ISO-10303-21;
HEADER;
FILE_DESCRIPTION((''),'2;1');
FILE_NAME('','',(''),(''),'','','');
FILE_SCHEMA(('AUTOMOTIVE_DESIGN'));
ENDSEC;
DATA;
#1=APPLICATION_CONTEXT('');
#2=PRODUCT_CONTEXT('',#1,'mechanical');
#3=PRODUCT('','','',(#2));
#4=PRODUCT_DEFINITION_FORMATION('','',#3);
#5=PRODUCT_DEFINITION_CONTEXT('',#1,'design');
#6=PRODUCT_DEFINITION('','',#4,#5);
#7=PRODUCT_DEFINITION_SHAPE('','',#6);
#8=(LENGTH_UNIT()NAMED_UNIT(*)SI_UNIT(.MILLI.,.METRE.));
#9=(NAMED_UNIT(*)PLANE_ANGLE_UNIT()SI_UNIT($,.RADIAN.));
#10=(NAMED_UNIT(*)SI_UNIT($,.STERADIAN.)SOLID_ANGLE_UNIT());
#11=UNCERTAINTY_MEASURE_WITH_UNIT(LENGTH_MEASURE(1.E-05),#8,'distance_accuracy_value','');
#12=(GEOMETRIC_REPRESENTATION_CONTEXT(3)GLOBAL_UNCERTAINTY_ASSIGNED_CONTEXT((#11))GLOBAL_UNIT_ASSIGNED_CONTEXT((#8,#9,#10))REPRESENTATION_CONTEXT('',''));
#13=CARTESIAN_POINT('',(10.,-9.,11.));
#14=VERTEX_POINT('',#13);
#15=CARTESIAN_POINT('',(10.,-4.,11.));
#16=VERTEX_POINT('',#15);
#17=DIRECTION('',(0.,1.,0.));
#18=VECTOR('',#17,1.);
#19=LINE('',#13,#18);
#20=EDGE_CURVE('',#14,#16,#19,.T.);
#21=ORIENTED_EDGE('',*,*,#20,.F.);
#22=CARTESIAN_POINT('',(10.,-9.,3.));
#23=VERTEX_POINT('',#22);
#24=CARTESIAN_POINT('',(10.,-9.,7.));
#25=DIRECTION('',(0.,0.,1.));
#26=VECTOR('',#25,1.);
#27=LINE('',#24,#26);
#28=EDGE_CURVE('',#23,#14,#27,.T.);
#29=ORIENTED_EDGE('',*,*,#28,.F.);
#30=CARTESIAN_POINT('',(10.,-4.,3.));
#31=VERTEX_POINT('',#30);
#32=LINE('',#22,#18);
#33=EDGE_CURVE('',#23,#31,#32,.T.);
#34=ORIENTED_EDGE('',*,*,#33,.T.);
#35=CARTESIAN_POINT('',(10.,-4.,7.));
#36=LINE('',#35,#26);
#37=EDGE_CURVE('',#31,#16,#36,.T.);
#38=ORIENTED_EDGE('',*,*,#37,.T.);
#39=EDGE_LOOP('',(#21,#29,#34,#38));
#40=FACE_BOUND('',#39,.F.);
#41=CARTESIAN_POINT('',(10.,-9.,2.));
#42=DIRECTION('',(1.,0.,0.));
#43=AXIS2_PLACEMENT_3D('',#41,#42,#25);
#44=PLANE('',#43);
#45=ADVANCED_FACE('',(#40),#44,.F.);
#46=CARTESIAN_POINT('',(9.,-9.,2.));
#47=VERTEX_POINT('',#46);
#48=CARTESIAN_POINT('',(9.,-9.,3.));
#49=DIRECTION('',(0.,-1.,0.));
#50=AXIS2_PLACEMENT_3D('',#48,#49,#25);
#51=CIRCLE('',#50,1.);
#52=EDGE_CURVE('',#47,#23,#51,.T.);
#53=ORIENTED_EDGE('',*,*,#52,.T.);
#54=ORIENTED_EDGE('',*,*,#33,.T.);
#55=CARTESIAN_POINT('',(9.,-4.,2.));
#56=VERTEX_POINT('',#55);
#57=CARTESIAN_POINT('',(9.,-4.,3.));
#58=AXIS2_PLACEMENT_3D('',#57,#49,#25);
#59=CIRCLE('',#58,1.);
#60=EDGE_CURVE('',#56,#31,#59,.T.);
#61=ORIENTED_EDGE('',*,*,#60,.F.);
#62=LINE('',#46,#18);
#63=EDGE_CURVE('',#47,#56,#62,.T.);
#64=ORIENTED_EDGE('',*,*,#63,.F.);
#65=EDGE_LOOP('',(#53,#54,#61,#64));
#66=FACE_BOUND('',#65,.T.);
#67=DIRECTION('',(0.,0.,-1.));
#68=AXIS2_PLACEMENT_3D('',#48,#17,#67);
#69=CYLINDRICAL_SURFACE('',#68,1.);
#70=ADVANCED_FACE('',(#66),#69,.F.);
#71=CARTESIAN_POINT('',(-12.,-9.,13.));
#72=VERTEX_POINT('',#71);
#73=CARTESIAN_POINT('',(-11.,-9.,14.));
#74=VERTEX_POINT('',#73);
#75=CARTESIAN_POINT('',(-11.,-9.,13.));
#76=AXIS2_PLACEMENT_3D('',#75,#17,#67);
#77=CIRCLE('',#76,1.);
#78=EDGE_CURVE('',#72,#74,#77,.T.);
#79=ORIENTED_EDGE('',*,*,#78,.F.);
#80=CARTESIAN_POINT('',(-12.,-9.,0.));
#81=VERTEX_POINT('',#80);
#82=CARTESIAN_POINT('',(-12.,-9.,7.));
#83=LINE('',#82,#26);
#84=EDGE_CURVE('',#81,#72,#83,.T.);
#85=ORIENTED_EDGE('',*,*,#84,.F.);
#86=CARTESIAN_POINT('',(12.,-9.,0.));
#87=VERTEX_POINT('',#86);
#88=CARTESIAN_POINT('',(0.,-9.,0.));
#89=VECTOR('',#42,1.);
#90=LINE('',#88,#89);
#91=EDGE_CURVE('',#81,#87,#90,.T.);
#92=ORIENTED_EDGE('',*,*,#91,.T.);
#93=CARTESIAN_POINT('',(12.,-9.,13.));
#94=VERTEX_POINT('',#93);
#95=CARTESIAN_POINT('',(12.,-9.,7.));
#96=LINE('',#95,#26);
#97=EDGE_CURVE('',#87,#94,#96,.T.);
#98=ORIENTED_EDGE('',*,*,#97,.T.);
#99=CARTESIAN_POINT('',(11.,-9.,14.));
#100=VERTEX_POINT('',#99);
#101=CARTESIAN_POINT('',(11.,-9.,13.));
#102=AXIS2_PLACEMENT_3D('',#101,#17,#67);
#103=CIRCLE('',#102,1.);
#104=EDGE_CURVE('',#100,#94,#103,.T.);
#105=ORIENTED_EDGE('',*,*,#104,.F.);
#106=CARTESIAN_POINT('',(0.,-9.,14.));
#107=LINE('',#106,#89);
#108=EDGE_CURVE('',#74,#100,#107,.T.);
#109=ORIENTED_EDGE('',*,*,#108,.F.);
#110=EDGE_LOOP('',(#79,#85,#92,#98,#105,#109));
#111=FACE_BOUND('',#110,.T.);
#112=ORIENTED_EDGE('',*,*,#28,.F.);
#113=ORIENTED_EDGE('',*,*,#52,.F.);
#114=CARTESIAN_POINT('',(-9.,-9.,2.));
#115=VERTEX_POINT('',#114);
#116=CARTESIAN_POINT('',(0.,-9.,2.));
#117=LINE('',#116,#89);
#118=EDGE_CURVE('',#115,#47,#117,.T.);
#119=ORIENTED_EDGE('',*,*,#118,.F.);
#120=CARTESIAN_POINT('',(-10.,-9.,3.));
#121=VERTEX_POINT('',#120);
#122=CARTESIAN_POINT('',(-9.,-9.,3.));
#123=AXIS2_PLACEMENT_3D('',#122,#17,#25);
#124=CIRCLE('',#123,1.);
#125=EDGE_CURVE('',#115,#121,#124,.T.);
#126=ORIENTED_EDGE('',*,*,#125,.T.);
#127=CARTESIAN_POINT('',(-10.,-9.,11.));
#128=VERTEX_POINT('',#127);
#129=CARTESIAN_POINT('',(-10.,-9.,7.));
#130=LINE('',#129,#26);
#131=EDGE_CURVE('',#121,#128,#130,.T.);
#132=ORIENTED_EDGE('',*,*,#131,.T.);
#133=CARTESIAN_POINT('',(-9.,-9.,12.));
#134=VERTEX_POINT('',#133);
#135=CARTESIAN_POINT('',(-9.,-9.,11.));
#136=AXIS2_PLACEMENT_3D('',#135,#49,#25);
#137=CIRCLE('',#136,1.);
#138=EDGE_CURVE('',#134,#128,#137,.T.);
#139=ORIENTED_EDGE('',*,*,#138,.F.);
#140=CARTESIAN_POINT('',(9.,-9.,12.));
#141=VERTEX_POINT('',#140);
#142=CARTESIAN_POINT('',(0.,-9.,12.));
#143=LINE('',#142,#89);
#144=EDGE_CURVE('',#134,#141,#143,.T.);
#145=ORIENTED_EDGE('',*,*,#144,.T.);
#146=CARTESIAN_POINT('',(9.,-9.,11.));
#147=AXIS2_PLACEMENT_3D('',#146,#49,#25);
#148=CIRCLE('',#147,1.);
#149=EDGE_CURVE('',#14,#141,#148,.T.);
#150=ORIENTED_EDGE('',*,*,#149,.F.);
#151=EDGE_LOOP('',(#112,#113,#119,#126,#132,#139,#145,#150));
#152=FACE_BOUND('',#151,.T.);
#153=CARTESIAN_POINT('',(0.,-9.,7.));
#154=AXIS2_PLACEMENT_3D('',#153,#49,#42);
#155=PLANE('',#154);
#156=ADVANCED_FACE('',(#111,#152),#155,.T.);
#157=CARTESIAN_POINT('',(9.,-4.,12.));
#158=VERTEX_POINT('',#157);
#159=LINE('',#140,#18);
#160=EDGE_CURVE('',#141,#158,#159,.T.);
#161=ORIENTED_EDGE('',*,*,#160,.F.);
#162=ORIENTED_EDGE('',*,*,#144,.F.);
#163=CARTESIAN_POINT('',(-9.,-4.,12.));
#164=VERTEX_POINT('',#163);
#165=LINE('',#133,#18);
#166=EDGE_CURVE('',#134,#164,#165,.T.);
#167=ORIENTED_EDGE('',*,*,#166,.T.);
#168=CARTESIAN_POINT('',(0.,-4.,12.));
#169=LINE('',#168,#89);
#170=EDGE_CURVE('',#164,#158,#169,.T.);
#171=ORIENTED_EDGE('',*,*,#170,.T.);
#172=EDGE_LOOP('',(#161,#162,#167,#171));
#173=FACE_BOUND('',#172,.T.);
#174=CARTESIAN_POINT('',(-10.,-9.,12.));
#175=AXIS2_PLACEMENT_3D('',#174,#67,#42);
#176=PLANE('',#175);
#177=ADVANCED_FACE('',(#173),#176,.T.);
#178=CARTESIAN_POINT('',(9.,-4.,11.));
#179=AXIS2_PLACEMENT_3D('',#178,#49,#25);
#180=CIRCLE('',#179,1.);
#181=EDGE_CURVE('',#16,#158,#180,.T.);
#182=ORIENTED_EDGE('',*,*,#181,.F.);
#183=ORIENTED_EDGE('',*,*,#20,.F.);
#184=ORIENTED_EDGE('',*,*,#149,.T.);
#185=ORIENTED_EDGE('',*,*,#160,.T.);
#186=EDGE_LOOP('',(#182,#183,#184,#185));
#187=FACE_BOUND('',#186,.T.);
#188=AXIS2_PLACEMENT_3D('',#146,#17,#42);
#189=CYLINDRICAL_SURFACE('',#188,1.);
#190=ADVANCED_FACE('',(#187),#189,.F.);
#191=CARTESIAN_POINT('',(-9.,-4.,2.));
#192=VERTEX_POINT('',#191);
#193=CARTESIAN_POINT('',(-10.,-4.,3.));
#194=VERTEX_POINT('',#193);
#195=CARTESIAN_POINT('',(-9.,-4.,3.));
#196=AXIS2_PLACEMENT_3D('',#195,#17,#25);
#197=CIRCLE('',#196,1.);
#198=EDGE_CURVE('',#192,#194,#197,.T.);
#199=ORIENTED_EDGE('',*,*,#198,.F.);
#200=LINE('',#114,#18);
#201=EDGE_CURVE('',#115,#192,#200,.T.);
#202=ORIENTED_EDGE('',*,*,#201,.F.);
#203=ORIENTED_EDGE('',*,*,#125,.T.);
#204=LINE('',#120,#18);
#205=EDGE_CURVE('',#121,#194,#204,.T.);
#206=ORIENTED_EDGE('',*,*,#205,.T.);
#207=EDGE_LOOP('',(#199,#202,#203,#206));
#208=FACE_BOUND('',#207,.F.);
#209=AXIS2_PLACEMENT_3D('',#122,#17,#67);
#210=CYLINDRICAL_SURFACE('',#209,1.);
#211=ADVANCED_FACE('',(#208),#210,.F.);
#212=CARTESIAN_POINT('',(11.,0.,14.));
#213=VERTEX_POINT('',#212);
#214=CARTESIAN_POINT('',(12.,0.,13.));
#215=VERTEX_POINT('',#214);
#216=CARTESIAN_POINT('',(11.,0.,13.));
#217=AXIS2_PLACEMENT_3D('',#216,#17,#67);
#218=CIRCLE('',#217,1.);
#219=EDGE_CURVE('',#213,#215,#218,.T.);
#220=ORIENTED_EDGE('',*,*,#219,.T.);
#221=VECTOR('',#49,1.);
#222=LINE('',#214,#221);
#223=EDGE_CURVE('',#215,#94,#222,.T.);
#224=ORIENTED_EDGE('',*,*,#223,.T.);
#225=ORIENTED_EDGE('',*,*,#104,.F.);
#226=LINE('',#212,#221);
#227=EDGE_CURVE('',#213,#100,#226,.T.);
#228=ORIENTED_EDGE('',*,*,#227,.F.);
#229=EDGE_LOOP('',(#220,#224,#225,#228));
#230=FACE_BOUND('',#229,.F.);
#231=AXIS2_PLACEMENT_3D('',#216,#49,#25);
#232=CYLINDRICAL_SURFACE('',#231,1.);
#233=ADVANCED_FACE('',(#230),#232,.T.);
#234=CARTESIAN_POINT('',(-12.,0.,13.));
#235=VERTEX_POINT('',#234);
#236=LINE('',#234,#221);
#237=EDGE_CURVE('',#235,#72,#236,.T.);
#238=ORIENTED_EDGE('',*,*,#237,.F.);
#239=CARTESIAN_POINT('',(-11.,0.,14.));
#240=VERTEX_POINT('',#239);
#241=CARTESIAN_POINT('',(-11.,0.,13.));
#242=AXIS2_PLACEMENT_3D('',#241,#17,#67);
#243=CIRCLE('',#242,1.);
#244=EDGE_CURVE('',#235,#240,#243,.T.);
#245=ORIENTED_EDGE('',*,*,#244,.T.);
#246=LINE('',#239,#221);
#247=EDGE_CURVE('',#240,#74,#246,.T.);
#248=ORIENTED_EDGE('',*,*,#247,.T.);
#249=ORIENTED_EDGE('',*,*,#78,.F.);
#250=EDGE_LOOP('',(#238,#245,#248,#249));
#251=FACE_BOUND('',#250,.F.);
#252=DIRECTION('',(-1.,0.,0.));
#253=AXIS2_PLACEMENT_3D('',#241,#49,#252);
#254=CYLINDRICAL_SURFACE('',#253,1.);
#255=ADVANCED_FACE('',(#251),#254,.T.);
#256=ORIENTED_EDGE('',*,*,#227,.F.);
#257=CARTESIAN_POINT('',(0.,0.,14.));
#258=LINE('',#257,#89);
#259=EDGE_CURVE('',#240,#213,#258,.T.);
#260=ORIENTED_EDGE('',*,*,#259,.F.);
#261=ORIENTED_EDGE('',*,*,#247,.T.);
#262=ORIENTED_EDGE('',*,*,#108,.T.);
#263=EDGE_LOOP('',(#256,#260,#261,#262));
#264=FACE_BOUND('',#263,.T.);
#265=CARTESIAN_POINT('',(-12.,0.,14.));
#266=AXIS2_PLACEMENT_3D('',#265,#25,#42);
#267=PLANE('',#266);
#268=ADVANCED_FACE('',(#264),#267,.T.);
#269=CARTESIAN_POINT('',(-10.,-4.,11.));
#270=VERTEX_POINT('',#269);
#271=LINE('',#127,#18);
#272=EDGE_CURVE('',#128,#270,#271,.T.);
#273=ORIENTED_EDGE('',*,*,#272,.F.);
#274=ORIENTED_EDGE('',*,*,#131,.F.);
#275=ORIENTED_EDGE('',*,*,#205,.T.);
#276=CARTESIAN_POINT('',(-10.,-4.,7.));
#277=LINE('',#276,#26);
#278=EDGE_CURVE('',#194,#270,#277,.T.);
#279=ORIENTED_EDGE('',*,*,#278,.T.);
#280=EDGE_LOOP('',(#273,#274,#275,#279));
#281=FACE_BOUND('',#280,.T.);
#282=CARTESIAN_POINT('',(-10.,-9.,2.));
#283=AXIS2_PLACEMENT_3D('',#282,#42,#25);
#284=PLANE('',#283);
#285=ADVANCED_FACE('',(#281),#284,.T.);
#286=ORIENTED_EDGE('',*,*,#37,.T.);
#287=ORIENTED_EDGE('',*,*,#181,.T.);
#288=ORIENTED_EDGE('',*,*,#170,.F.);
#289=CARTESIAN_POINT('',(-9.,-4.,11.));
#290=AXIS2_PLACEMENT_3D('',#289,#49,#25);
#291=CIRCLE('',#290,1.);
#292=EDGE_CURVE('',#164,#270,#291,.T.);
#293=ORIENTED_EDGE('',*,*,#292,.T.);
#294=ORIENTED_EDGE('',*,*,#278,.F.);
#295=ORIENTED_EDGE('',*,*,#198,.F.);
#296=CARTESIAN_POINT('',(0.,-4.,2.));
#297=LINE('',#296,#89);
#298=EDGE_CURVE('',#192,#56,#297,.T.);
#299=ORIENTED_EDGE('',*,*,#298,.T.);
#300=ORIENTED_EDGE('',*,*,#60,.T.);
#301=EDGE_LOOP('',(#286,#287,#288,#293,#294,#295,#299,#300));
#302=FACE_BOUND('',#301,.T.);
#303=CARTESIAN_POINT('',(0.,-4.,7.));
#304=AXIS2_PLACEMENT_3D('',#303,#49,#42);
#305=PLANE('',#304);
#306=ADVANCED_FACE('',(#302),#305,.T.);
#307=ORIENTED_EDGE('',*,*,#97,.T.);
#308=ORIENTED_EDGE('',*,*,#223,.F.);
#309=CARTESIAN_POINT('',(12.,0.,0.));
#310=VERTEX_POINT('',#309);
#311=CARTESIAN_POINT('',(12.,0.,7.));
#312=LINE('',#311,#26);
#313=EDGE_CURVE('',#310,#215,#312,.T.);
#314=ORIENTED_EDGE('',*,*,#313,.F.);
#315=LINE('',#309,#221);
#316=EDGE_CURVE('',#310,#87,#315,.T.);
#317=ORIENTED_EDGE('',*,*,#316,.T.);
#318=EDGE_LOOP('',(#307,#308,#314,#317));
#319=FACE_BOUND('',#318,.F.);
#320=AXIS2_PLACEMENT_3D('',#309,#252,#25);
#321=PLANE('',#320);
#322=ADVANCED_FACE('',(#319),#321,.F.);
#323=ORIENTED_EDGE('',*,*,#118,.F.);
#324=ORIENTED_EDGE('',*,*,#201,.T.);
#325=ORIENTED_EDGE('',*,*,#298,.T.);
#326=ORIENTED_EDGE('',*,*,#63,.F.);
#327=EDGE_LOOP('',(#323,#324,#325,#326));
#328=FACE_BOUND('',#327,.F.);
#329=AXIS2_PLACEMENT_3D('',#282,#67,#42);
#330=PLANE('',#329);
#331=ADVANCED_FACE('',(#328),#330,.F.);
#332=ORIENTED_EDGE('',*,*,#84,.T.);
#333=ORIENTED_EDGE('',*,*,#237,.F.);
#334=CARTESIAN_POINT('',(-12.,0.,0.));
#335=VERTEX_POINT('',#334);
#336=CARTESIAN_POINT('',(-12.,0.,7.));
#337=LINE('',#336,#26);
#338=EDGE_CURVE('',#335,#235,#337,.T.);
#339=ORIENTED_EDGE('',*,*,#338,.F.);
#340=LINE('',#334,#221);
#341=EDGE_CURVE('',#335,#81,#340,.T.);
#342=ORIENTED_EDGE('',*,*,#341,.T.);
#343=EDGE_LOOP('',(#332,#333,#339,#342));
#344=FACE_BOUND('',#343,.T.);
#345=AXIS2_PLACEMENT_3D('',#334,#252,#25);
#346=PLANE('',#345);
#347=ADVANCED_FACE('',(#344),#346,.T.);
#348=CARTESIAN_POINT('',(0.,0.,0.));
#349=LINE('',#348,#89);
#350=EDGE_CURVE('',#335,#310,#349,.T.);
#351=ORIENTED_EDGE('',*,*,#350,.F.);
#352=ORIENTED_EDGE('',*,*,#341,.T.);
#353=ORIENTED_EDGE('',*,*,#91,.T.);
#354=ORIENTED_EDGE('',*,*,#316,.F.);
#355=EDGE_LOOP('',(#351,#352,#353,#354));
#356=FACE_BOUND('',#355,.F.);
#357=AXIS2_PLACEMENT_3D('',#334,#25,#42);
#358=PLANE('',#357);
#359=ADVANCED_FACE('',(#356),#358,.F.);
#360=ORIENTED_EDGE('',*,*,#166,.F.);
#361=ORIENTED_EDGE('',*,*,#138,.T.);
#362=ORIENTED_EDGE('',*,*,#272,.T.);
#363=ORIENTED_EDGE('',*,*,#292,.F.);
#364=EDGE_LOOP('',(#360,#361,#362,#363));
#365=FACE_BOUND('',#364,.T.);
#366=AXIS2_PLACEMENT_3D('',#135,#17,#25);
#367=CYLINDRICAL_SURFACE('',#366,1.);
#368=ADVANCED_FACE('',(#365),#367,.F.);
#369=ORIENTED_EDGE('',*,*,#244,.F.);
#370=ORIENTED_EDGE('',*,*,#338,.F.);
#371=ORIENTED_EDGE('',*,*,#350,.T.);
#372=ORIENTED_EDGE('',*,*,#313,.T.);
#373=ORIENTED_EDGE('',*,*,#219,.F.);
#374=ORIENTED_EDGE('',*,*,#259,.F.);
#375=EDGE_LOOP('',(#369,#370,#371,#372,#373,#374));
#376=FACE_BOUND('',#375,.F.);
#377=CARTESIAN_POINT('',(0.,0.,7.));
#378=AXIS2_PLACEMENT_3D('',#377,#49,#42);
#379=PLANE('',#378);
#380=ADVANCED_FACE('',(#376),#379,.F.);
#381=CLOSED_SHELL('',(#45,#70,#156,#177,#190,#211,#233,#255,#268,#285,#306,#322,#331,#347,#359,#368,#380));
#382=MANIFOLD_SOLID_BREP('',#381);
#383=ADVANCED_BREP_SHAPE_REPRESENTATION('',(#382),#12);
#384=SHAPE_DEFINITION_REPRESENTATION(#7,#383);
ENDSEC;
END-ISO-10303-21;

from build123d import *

# Parameters (mm, degrees)
F4_W     = 24
F4_H     = 14
F5_DEPTH = 9
F6_W     = 20
F6_H     = 10
F7_DEPTH = 5
F8_R     = 1


with BuildPart() as f5:
    # F4 (on Front) → F5 (new body)
    with BuildSketch(Plane.XZ):
        with Locations((0, 7)):
            Rectangle(F4_W, F4_H)
    extrude(amount=F5_DEPTH)

    # F6 (on face) → F7 (cut)
    with BuildSketch(Plane.XZ.offset(9)):
        with Locations((0, 7)):
            Rectangle(F6_W, F6_H)
    extrude(amount=-F7_DEPTH, mode=Mode.SUBTRACT)

    # F8
    f8_edges = [f5.edges().sort_by_distance(p)[0] for p in [
        (-12, -4.5, 14),
        (12, -4.5, 14),
        (-10, -6.5, 12),
        (10, -6.5, 12),
        (10, -6.5, 2),
        (-10, -6.5, 2),
    ]]
    fillet(f8_edges, radius=F8_R)


solid = f5.part
